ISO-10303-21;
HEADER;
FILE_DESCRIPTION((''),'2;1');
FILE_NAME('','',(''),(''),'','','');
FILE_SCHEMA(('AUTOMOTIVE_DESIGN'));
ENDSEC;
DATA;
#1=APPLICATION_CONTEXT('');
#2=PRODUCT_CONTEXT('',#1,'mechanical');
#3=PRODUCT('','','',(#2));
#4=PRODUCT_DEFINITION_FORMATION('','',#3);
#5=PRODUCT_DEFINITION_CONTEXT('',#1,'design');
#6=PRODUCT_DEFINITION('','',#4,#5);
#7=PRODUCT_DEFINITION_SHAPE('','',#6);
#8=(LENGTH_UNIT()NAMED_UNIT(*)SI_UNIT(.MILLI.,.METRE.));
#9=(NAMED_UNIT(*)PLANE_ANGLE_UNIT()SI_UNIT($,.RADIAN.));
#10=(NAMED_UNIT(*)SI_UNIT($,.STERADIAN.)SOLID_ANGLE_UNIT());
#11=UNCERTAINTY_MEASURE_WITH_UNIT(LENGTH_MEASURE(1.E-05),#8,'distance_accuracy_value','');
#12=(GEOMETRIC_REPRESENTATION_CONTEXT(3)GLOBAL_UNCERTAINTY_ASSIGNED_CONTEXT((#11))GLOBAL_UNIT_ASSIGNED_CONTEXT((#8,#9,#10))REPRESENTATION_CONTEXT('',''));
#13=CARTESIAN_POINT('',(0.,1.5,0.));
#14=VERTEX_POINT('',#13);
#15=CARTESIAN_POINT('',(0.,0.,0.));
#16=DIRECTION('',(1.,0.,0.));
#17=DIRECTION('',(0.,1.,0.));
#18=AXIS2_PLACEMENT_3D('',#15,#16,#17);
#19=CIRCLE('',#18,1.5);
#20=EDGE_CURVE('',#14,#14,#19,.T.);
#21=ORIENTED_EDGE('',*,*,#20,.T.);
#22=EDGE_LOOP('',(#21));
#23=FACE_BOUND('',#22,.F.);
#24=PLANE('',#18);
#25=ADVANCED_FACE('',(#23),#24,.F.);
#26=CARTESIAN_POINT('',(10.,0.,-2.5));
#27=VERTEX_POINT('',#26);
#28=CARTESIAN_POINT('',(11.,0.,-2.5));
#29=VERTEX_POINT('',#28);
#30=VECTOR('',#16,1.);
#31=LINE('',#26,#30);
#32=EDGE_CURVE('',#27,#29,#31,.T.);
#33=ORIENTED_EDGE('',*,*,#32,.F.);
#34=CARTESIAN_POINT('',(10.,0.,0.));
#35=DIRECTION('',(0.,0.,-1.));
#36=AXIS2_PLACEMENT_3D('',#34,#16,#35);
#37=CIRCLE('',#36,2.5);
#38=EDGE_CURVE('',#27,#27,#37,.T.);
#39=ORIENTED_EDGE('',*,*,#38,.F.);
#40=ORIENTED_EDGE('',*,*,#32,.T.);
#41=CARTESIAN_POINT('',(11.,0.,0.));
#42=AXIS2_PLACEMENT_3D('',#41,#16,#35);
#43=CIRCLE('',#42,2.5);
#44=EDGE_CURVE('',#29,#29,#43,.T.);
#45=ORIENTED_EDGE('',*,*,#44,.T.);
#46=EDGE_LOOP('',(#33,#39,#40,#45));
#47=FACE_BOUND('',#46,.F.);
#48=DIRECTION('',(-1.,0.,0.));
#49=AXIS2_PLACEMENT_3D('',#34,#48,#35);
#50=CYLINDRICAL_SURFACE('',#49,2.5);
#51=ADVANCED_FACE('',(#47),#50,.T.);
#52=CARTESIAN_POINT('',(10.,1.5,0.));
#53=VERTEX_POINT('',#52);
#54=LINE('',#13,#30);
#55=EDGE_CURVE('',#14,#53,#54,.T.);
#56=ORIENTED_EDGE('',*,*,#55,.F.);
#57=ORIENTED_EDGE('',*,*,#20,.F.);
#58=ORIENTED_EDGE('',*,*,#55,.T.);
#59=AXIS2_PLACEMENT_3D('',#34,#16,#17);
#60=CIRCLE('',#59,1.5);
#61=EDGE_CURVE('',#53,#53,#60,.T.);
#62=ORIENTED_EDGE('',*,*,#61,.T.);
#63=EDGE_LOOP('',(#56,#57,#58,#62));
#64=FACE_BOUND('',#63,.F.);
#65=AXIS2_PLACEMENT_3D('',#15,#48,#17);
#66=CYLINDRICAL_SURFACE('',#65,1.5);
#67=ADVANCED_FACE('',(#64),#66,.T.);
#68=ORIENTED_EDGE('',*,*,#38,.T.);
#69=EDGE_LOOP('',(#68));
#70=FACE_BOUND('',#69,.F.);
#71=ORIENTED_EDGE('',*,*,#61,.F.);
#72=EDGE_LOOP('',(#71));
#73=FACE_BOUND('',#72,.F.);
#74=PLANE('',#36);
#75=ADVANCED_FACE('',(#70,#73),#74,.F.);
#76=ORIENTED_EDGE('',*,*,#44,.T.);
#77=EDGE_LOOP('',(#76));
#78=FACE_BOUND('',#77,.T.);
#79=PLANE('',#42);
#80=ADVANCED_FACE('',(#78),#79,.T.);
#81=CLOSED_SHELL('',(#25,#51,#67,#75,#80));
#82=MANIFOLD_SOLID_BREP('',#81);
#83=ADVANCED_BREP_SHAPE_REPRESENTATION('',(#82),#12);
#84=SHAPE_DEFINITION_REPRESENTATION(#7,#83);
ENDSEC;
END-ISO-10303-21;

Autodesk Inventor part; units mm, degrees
ref_plane "YZ Plane" through (0, 0, 0) normal (1, 0, 0) x (0, 1, 0)
ref_plane "XZ Plane" through (0, 0, 0) normal (0, 1, 0) x (-1, 0, 0)
ref_plane "XY Plane" through (0, 0, 0) normal (0, 0, 1) x (1, 0, 0)
sketch "Sketch1" plane through (0, 0, 0) normal (1, 0, 0) x (0, 1, 0)
  circle A0 centre (0, 0) radius 1.5
  dimension "d0" = 3
extrude "Extrusion1" add sketch "Sketch1" along normal blind 10
sketch "Sketch2" plane through (10, 0, 0) normal (1, 0, 0) x (0, 0, -1)
  circle A0 centre (0, 0) radius 1.5 projected
  circle A1 centre (0, 0) radius 2.5
  dimension "d3" = 5
extrude "Extrusion2" add sketch "Sketch2" along normal blind 1 contours A0 | A1
properties part number "valec_3mm"
